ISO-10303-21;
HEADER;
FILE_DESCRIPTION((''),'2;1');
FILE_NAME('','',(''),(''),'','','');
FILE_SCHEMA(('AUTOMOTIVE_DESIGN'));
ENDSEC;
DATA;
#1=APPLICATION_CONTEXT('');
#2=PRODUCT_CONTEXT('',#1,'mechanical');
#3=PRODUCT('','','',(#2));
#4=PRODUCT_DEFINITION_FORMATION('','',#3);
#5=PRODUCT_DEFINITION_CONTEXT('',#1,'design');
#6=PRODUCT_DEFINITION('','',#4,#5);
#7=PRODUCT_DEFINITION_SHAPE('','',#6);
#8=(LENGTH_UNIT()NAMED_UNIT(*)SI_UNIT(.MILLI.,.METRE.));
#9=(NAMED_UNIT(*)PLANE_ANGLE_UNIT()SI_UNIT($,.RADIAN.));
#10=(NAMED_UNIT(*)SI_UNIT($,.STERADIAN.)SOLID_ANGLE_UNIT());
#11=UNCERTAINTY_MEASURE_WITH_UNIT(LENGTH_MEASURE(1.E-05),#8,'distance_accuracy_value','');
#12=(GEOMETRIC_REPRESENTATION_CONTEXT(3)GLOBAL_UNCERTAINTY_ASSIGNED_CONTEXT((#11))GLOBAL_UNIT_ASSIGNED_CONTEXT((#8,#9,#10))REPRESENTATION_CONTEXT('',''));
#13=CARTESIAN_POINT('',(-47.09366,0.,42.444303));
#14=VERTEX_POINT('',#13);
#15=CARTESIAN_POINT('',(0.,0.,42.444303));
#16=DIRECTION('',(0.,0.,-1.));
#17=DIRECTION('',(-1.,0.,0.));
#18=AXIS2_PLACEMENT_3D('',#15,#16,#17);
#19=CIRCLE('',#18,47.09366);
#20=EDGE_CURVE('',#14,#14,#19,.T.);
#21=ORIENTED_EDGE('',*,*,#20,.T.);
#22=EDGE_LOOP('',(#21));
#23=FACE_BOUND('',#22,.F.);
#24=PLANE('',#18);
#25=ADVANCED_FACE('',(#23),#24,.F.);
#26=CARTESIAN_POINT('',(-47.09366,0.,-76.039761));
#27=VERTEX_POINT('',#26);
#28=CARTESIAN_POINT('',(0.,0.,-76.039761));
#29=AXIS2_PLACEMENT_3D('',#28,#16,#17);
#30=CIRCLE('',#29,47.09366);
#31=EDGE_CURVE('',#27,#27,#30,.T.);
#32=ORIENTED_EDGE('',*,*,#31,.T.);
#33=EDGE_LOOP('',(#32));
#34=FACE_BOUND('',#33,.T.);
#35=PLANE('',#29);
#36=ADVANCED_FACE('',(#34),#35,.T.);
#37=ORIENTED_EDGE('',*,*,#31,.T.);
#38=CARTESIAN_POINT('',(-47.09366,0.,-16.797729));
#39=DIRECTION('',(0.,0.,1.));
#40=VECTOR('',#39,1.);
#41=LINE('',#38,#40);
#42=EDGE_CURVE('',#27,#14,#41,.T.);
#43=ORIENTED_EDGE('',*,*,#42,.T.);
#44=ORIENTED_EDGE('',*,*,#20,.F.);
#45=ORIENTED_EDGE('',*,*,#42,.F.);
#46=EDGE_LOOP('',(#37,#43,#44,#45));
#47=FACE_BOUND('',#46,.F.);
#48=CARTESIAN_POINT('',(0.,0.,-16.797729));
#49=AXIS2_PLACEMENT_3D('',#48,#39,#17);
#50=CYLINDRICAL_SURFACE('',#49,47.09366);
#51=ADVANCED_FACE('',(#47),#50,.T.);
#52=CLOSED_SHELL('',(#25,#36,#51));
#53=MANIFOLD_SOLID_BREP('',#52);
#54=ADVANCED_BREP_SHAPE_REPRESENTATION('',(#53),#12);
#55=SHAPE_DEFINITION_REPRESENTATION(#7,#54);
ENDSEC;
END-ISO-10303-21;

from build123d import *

# Parameters (mm, degrees)
F0_W = 47.09366
F0_H = 118.484065


with BuildPart() as f1:
    # F0 (on Front) → F1 (revolve)
    with BuildSketch(Plane.XZ):
        with Locations((-23.54683, -16.797729)):
            Rectangle(F0_W, F0_H)
    revolve(axis=Axis((0, 0, 1.5e-05), (0, 0, -1)))


solid = f1.part
